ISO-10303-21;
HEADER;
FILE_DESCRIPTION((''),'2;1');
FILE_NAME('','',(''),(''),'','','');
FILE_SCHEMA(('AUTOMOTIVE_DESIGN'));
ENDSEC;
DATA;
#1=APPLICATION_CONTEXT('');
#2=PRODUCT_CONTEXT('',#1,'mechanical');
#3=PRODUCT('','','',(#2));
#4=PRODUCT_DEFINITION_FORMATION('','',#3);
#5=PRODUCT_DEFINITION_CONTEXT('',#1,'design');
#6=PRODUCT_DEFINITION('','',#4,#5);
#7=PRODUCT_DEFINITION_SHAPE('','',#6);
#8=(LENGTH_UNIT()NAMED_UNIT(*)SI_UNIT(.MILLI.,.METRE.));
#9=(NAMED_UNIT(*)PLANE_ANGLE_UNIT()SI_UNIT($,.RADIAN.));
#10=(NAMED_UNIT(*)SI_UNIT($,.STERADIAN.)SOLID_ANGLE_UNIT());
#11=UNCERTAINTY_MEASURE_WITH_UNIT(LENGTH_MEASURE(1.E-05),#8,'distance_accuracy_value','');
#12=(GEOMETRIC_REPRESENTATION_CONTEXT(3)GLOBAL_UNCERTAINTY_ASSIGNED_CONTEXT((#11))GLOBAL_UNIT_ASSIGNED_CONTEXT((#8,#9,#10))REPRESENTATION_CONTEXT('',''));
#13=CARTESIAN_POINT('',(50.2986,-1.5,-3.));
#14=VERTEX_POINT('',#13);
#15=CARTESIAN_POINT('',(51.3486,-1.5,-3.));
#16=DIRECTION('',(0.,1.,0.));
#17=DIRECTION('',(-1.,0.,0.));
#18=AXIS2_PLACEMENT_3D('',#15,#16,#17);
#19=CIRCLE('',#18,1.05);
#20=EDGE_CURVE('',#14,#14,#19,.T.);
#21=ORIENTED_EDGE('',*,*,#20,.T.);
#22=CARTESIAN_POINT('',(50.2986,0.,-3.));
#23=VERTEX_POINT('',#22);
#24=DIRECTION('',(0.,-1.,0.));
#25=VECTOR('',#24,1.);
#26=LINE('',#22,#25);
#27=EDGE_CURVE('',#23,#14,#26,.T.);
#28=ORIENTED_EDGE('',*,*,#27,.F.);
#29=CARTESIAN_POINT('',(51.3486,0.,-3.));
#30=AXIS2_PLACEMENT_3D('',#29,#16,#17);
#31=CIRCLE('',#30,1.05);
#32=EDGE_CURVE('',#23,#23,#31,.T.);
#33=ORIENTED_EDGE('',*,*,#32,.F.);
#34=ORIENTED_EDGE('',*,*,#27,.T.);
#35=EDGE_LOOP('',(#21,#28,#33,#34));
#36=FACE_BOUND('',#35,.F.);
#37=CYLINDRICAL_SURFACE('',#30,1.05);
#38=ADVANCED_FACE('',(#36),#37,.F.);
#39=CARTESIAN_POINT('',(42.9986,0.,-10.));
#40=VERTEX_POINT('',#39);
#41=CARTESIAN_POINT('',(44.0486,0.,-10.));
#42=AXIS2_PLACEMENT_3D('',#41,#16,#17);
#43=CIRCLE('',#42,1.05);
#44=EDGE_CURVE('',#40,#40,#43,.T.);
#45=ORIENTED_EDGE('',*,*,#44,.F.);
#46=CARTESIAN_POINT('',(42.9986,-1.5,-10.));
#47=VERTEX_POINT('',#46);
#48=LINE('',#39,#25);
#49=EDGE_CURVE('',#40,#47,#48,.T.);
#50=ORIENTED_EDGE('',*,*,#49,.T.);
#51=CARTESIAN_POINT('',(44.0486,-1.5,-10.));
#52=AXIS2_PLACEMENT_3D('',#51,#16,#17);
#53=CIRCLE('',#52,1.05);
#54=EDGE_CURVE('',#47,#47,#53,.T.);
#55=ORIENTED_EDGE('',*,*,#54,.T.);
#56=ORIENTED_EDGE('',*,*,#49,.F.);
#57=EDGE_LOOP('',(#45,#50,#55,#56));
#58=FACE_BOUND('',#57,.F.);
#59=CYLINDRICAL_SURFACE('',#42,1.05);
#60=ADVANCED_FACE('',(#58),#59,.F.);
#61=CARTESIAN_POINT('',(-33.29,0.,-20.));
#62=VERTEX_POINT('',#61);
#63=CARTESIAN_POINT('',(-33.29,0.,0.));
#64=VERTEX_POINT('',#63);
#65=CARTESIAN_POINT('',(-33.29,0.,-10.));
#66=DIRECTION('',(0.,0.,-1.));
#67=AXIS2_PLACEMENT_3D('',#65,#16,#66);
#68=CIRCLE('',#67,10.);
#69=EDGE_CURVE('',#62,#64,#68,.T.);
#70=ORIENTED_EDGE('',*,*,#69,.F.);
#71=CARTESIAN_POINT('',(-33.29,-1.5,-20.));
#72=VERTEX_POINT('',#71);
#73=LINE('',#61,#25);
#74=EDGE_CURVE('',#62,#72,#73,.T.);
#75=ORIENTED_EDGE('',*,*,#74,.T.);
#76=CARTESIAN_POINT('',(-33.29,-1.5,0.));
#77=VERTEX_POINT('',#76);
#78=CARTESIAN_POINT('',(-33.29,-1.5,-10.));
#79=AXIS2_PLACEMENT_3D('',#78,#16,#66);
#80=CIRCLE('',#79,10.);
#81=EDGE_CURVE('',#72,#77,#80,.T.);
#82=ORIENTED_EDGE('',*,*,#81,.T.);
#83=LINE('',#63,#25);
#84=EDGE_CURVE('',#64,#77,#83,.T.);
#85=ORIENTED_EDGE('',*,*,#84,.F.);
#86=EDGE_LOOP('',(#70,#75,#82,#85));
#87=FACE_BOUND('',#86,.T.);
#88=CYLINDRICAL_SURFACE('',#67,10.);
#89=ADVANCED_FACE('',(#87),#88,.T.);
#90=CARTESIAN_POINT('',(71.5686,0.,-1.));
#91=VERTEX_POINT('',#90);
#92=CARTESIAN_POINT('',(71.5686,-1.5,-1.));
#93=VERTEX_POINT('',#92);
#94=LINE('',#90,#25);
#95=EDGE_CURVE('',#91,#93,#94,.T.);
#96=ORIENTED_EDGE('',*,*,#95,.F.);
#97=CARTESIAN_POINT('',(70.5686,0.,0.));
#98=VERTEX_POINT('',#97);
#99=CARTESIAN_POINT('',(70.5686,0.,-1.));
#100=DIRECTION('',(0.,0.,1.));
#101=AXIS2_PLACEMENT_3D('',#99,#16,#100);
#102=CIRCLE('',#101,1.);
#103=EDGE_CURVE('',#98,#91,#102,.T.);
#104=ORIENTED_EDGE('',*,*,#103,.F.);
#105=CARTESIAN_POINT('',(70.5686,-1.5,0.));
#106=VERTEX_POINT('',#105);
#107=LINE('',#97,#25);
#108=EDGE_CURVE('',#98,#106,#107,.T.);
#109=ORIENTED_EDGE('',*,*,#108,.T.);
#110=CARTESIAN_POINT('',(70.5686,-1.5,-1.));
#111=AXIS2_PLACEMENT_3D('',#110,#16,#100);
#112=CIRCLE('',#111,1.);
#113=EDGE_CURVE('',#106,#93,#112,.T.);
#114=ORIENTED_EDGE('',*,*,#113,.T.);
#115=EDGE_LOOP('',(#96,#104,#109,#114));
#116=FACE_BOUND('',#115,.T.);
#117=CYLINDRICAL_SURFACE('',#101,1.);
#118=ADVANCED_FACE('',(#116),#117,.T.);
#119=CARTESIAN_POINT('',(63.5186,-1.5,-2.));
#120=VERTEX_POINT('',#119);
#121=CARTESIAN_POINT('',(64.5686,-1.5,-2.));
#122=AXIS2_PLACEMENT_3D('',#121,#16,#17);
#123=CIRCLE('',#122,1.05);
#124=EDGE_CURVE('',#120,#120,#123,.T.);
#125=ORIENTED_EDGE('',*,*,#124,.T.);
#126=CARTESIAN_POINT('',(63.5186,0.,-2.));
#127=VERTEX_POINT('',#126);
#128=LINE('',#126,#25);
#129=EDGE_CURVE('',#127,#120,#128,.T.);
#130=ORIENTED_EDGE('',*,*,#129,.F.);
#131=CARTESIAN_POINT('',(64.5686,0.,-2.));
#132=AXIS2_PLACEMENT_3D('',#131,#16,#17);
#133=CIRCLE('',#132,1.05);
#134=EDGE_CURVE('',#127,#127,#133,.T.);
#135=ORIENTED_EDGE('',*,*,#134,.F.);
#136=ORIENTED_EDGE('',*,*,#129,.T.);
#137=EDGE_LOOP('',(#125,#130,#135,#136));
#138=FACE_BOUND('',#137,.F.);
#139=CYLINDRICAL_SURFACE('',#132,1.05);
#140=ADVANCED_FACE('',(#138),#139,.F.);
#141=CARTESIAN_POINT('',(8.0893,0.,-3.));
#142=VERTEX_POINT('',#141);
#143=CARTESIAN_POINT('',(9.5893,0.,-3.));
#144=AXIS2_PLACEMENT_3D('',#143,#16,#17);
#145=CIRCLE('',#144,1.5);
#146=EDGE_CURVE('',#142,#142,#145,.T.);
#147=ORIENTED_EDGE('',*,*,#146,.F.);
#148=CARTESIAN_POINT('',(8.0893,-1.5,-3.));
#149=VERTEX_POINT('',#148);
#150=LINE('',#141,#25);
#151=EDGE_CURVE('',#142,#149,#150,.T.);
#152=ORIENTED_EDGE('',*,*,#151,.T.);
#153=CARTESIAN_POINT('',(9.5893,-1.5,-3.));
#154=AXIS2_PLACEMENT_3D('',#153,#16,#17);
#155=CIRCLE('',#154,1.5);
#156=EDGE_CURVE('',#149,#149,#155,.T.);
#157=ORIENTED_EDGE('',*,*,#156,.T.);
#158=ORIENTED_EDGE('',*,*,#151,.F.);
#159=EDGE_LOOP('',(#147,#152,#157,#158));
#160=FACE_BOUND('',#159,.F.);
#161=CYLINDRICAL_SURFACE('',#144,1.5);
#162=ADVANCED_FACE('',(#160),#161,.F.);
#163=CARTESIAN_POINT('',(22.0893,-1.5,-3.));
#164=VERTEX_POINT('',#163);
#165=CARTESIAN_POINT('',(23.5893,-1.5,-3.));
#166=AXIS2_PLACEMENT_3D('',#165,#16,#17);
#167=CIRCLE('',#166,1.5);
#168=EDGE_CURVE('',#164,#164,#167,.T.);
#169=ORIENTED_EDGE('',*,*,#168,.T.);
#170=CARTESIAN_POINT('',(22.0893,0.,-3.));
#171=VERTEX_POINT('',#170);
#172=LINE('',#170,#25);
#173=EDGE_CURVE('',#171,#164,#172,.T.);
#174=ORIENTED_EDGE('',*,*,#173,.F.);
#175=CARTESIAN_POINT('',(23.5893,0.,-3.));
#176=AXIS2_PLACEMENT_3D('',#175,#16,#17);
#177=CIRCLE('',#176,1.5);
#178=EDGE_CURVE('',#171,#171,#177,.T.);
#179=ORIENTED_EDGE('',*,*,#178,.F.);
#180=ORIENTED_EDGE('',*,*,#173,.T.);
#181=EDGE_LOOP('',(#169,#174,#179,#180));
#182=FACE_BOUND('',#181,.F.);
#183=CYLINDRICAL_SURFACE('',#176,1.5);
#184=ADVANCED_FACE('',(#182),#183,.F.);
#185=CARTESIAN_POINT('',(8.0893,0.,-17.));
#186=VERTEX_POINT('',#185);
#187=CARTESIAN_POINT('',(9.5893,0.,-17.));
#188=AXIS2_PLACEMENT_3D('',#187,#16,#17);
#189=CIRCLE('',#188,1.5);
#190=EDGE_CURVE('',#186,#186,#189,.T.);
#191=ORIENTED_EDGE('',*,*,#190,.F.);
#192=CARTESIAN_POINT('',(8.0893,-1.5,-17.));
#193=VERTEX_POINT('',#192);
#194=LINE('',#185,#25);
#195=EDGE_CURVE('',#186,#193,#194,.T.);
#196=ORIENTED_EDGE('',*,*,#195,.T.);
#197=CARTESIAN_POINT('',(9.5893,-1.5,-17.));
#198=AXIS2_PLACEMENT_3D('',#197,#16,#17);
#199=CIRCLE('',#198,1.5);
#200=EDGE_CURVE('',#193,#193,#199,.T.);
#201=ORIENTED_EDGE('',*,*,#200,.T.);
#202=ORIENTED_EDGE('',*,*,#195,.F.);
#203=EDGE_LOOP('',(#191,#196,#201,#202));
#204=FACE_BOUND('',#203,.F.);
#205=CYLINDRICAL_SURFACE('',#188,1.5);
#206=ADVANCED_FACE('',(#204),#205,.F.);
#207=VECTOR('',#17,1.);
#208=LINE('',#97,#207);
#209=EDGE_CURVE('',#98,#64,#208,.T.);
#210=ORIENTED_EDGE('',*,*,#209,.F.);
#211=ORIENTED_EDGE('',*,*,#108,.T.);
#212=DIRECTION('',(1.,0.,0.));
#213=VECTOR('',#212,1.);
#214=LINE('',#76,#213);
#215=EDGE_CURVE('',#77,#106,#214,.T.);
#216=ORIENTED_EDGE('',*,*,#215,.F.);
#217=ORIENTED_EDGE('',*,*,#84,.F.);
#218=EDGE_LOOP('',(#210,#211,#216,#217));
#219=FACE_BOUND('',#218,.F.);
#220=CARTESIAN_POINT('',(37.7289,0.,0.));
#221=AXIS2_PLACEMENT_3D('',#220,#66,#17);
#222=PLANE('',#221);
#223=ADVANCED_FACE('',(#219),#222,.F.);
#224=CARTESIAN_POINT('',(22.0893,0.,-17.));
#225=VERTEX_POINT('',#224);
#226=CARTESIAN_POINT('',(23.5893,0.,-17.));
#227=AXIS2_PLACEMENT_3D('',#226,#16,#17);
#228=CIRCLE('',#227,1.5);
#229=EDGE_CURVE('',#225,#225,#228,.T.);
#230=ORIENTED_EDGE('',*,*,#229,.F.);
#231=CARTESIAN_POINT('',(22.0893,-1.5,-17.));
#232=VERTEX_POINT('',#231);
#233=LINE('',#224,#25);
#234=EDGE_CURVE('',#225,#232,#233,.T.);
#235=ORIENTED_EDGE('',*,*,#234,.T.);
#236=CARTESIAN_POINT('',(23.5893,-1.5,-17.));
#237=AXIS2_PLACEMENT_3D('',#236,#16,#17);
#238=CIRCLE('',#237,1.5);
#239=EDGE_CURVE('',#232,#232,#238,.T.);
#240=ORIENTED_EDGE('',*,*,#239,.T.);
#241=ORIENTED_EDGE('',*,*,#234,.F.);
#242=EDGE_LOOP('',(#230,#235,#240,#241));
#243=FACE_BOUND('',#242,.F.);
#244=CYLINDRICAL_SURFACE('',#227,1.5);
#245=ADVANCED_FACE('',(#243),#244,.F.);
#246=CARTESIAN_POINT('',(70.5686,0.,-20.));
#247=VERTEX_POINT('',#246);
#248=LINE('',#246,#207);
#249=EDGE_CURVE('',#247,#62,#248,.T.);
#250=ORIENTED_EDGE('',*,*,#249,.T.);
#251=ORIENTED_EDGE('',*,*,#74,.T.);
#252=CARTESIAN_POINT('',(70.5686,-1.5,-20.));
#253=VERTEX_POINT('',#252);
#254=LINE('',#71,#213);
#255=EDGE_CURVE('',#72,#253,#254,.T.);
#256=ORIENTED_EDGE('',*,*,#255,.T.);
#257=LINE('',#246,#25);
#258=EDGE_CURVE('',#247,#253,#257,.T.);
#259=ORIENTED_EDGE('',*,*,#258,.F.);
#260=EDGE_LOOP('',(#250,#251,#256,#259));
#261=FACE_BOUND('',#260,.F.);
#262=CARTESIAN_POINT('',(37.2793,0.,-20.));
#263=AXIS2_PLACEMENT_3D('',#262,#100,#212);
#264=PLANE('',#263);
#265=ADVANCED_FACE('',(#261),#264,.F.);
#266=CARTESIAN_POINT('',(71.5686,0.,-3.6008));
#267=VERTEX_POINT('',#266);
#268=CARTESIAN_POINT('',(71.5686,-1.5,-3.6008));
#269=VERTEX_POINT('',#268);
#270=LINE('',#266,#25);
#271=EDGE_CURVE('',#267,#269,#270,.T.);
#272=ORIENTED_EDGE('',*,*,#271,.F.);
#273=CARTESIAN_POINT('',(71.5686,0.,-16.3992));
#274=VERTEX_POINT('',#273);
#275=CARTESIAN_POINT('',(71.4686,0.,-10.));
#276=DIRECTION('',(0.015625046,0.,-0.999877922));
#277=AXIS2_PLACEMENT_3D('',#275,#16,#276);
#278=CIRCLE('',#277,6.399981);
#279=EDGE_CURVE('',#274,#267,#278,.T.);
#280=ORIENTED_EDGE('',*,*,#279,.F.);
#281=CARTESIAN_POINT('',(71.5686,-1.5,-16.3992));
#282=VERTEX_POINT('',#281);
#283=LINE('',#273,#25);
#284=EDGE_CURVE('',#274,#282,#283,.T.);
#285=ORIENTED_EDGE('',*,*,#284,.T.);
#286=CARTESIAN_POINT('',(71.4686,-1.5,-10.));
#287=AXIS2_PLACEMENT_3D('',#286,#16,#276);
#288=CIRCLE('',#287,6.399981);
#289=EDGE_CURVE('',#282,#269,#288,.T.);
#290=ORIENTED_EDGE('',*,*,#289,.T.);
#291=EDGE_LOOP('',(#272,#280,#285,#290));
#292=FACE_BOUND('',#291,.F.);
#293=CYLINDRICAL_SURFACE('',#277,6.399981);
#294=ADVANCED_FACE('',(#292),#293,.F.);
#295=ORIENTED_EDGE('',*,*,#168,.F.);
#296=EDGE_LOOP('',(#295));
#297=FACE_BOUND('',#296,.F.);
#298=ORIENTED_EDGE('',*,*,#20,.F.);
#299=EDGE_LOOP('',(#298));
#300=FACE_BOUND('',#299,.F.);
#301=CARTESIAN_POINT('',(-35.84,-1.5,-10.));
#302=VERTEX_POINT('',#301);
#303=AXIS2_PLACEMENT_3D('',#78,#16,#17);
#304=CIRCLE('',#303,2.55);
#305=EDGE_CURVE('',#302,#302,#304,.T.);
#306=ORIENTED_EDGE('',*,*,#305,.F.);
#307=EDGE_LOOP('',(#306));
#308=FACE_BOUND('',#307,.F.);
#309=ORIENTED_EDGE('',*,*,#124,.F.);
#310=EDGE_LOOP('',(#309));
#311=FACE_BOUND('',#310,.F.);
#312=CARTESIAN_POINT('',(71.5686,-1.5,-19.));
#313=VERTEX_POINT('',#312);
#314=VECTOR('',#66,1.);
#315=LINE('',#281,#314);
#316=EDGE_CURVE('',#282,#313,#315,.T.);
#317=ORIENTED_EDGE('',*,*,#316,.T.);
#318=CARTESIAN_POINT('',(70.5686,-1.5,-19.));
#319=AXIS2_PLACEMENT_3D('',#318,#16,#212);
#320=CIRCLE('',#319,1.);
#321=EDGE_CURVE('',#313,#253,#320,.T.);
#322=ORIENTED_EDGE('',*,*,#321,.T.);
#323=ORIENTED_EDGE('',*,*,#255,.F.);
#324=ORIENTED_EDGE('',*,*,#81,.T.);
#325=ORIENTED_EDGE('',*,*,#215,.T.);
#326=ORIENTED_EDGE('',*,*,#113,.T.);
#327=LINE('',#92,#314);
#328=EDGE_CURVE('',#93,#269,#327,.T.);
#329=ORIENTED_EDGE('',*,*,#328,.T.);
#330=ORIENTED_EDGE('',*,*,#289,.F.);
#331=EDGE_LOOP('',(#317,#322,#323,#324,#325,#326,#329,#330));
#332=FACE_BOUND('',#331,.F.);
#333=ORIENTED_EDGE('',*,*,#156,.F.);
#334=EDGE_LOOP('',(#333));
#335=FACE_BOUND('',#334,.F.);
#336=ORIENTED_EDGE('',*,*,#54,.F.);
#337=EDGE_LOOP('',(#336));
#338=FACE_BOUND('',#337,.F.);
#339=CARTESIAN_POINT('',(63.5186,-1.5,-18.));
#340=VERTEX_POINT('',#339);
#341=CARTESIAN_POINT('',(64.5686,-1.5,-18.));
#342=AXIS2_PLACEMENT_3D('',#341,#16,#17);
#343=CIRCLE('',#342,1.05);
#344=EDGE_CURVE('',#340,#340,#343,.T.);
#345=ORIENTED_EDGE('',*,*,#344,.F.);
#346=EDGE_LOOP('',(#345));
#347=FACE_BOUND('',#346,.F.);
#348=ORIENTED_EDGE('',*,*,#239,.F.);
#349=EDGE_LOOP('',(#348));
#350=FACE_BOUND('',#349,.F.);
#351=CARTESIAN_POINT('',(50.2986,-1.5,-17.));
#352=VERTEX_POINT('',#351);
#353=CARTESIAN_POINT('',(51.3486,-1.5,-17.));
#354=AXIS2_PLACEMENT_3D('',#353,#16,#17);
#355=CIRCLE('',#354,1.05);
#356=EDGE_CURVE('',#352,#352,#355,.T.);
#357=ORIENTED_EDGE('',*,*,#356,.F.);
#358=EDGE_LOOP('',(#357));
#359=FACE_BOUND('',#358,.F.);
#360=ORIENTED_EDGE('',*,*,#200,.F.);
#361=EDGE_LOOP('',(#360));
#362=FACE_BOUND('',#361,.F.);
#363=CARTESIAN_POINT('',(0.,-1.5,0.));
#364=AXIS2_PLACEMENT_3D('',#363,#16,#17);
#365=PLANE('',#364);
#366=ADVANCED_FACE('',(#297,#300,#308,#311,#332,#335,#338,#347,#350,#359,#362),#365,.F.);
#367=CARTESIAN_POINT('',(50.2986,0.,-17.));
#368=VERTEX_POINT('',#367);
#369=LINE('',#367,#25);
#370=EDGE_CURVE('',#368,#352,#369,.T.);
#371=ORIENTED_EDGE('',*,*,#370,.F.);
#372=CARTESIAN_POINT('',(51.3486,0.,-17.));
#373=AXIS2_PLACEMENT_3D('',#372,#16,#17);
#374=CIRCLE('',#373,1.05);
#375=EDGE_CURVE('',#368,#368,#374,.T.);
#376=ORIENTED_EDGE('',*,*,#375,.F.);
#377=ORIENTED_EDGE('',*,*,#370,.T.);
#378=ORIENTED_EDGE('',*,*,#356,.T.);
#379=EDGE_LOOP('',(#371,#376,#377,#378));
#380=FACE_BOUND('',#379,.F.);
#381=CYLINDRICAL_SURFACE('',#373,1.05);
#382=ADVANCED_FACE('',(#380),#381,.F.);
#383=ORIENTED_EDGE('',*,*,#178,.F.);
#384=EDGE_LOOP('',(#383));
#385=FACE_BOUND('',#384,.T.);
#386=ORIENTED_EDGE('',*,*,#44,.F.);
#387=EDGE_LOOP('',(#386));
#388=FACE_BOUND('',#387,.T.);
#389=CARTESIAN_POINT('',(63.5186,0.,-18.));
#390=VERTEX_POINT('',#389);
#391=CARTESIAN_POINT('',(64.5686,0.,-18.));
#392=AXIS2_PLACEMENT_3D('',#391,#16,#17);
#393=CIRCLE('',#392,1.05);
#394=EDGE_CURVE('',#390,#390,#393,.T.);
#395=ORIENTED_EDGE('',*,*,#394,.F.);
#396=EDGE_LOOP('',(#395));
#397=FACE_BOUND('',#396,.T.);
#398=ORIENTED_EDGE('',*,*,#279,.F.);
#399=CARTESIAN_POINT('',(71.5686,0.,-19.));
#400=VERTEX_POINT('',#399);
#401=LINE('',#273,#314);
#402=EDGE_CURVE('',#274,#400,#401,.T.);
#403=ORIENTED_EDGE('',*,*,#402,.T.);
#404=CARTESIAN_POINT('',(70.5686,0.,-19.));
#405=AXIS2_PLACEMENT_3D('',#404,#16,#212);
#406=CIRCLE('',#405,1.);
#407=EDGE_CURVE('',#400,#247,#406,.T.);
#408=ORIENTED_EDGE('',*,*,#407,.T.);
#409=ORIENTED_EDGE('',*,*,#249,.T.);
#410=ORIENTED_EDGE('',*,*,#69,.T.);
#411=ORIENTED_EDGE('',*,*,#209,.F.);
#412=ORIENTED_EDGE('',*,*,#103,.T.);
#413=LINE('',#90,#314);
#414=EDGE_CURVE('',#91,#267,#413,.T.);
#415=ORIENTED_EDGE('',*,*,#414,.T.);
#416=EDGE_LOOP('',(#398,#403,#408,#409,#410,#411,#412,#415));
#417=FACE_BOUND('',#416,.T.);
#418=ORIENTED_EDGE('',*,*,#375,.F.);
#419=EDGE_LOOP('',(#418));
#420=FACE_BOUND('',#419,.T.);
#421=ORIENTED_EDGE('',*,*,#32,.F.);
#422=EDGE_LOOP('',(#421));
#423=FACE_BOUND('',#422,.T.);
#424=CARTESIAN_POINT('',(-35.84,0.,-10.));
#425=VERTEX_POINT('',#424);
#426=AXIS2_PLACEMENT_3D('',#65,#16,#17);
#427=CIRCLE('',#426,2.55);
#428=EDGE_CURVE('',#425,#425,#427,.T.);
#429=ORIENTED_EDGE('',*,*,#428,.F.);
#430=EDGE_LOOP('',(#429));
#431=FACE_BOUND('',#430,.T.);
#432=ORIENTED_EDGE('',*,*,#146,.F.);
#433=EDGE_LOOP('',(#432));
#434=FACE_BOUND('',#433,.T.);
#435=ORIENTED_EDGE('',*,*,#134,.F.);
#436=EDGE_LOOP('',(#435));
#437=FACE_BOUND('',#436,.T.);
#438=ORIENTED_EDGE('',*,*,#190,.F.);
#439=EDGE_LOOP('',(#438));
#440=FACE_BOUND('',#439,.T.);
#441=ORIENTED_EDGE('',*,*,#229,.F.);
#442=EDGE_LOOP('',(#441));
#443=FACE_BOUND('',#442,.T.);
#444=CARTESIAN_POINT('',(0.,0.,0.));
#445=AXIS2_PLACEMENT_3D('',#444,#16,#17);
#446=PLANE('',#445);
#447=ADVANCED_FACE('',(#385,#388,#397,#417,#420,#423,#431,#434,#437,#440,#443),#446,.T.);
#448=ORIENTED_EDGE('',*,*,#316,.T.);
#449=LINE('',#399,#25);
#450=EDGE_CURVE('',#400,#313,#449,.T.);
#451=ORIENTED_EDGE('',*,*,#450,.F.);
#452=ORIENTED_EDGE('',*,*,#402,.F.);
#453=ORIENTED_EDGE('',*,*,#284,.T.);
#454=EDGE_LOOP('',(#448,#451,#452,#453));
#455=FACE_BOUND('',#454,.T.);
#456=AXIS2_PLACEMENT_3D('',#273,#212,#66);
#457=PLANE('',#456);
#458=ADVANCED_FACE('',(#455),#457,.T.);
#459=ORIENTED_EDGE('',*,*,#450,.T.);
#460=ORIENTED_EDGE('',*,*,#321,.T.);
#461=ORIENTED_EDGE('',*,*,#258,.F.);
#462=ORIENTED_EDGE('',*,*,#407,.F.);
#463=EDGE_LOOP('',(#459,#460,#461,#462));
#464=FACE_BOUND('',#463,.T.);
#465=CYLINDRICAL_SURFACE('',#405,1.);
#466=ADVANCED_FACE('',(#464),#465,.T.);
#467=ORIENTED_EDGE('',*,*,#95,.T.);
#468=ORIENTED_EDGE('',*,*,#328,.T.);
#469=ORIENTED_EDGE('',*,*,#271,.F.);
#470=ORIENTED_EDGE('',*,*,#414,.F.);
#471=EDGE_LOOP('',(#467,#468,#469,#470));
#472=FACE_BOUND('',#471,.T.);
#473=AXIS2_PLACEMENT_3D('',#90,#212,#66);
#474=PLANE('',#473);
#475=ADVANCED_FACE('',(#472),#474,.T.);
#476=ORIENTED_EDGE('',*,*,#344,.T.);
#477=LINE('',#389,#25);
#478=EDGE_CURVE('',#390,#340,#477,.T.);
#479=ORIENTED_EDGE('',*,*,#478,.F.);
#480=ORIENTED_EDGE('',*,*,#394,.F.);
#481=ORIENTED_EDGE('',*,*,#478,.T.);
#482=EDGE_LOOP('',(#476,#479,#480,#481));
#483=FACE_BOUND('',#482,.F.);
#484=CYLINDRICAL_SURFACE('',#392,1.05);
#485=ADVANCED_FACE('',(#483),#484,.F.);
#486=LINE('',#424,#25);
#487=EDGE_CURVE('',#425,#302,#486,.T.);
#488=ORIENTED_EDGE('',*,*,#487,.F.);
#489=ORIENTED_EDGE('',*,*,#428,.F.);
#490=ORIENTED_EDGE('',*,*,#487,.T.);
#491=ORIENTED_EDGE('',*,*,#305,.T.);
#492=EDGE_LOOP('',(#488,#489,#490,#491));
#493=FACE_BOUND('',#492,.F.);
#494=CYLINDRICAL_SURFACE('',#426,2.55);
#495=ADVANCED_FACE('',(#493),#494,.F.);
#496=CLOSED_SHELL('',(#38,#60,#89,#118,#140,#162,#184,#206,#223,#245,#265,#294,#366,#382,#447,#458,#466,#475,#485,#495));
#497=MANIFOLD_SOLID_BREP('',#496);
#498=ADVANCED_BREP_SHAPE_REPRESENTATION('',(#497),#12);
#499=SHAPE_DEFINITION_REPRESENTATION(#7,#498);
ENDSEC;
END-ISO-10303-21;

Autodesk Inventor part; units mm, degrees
ref_plane "YZ Plane" through (0, 0, 0) normal (1, 0, 0) x (0, 1, 0)
ref_plane "XZ Plane" through (0, 0, 0) normal (0, 1, 0) x (-1, 0, 0)
ref_plane "XY Plane" through (0, 0, 0) normal (0, 0, 1) x (1, 0, 0)
sketch "Sketch1" plane through (0, 0, 0) normal (0, 1, 0) x (-1, 0, 0)
  line L0 (-37.7289, 0) -> (-37.7289, -20)
  line L1 (-0.4496, -20) -> (-0.4496, 0)
  circle A0 centre (-64.5686, -18) radius 1.05
  circle A1 centre (-51.3486, -17) radius 1.05
  circle A2 centre (-44.0486, -10) radius 1.05
  circle A3 centre (-51.3486, -3) radius 1.05
  circle A4 centre (-64.5686, -2) radius 1.05
  circle A5 centre (-23.5893, -3) radius 1.5
  circle A6 centre (-9.5893, -3) radius 1.5
  circle A7 centre (-23.5893, -17) radius 1.5
  circle A8 centre (-9.5893, -17) radius 1.5
  circle A9 centre (33.29, -10) radius 2.55
  arc A10 (-70.5686, 0) -> (-71.5686, -1) centre (-70.5686, -1) ccw
  line L2 (-71.5686, -1) -> (-71.5686, -3.6008)
  arc A11 (-71.5686, -19) -> (-70.5686, -20) centre (-70.5686, -19) ccw
  line L3 (-71.5686, -16.3992) -> (-71.5686, -19)
  arc A12 (-71.5686, -16.3992) -> (-71.5686, -3.6008) centre (-71.4686, -10) ccw
  line L4 (-70.5686, 0) -> (33.29, 0)
  line L5 (33.29, -20) -> (-70.5686, -20)
  arc A13 (33.29, -20) -> (33.29, 0) centre (33.29, -10) ccw
  line L6 (-38.1786, -20) -> (-38.1786, 0)
  line L7 (-37.2793, 0) -> (-37.2793, -20)
  line L8 (-0.8993, -20) -> (-0.8993, 0)
  line L9 (0, 0) -> (0, -20)
  point P0 (0, 0)
extrude "Extrusion1" add sketch "Sketch1" against normal blind 1.5
properties part number "CAM_axis_3_bottom_frame"
